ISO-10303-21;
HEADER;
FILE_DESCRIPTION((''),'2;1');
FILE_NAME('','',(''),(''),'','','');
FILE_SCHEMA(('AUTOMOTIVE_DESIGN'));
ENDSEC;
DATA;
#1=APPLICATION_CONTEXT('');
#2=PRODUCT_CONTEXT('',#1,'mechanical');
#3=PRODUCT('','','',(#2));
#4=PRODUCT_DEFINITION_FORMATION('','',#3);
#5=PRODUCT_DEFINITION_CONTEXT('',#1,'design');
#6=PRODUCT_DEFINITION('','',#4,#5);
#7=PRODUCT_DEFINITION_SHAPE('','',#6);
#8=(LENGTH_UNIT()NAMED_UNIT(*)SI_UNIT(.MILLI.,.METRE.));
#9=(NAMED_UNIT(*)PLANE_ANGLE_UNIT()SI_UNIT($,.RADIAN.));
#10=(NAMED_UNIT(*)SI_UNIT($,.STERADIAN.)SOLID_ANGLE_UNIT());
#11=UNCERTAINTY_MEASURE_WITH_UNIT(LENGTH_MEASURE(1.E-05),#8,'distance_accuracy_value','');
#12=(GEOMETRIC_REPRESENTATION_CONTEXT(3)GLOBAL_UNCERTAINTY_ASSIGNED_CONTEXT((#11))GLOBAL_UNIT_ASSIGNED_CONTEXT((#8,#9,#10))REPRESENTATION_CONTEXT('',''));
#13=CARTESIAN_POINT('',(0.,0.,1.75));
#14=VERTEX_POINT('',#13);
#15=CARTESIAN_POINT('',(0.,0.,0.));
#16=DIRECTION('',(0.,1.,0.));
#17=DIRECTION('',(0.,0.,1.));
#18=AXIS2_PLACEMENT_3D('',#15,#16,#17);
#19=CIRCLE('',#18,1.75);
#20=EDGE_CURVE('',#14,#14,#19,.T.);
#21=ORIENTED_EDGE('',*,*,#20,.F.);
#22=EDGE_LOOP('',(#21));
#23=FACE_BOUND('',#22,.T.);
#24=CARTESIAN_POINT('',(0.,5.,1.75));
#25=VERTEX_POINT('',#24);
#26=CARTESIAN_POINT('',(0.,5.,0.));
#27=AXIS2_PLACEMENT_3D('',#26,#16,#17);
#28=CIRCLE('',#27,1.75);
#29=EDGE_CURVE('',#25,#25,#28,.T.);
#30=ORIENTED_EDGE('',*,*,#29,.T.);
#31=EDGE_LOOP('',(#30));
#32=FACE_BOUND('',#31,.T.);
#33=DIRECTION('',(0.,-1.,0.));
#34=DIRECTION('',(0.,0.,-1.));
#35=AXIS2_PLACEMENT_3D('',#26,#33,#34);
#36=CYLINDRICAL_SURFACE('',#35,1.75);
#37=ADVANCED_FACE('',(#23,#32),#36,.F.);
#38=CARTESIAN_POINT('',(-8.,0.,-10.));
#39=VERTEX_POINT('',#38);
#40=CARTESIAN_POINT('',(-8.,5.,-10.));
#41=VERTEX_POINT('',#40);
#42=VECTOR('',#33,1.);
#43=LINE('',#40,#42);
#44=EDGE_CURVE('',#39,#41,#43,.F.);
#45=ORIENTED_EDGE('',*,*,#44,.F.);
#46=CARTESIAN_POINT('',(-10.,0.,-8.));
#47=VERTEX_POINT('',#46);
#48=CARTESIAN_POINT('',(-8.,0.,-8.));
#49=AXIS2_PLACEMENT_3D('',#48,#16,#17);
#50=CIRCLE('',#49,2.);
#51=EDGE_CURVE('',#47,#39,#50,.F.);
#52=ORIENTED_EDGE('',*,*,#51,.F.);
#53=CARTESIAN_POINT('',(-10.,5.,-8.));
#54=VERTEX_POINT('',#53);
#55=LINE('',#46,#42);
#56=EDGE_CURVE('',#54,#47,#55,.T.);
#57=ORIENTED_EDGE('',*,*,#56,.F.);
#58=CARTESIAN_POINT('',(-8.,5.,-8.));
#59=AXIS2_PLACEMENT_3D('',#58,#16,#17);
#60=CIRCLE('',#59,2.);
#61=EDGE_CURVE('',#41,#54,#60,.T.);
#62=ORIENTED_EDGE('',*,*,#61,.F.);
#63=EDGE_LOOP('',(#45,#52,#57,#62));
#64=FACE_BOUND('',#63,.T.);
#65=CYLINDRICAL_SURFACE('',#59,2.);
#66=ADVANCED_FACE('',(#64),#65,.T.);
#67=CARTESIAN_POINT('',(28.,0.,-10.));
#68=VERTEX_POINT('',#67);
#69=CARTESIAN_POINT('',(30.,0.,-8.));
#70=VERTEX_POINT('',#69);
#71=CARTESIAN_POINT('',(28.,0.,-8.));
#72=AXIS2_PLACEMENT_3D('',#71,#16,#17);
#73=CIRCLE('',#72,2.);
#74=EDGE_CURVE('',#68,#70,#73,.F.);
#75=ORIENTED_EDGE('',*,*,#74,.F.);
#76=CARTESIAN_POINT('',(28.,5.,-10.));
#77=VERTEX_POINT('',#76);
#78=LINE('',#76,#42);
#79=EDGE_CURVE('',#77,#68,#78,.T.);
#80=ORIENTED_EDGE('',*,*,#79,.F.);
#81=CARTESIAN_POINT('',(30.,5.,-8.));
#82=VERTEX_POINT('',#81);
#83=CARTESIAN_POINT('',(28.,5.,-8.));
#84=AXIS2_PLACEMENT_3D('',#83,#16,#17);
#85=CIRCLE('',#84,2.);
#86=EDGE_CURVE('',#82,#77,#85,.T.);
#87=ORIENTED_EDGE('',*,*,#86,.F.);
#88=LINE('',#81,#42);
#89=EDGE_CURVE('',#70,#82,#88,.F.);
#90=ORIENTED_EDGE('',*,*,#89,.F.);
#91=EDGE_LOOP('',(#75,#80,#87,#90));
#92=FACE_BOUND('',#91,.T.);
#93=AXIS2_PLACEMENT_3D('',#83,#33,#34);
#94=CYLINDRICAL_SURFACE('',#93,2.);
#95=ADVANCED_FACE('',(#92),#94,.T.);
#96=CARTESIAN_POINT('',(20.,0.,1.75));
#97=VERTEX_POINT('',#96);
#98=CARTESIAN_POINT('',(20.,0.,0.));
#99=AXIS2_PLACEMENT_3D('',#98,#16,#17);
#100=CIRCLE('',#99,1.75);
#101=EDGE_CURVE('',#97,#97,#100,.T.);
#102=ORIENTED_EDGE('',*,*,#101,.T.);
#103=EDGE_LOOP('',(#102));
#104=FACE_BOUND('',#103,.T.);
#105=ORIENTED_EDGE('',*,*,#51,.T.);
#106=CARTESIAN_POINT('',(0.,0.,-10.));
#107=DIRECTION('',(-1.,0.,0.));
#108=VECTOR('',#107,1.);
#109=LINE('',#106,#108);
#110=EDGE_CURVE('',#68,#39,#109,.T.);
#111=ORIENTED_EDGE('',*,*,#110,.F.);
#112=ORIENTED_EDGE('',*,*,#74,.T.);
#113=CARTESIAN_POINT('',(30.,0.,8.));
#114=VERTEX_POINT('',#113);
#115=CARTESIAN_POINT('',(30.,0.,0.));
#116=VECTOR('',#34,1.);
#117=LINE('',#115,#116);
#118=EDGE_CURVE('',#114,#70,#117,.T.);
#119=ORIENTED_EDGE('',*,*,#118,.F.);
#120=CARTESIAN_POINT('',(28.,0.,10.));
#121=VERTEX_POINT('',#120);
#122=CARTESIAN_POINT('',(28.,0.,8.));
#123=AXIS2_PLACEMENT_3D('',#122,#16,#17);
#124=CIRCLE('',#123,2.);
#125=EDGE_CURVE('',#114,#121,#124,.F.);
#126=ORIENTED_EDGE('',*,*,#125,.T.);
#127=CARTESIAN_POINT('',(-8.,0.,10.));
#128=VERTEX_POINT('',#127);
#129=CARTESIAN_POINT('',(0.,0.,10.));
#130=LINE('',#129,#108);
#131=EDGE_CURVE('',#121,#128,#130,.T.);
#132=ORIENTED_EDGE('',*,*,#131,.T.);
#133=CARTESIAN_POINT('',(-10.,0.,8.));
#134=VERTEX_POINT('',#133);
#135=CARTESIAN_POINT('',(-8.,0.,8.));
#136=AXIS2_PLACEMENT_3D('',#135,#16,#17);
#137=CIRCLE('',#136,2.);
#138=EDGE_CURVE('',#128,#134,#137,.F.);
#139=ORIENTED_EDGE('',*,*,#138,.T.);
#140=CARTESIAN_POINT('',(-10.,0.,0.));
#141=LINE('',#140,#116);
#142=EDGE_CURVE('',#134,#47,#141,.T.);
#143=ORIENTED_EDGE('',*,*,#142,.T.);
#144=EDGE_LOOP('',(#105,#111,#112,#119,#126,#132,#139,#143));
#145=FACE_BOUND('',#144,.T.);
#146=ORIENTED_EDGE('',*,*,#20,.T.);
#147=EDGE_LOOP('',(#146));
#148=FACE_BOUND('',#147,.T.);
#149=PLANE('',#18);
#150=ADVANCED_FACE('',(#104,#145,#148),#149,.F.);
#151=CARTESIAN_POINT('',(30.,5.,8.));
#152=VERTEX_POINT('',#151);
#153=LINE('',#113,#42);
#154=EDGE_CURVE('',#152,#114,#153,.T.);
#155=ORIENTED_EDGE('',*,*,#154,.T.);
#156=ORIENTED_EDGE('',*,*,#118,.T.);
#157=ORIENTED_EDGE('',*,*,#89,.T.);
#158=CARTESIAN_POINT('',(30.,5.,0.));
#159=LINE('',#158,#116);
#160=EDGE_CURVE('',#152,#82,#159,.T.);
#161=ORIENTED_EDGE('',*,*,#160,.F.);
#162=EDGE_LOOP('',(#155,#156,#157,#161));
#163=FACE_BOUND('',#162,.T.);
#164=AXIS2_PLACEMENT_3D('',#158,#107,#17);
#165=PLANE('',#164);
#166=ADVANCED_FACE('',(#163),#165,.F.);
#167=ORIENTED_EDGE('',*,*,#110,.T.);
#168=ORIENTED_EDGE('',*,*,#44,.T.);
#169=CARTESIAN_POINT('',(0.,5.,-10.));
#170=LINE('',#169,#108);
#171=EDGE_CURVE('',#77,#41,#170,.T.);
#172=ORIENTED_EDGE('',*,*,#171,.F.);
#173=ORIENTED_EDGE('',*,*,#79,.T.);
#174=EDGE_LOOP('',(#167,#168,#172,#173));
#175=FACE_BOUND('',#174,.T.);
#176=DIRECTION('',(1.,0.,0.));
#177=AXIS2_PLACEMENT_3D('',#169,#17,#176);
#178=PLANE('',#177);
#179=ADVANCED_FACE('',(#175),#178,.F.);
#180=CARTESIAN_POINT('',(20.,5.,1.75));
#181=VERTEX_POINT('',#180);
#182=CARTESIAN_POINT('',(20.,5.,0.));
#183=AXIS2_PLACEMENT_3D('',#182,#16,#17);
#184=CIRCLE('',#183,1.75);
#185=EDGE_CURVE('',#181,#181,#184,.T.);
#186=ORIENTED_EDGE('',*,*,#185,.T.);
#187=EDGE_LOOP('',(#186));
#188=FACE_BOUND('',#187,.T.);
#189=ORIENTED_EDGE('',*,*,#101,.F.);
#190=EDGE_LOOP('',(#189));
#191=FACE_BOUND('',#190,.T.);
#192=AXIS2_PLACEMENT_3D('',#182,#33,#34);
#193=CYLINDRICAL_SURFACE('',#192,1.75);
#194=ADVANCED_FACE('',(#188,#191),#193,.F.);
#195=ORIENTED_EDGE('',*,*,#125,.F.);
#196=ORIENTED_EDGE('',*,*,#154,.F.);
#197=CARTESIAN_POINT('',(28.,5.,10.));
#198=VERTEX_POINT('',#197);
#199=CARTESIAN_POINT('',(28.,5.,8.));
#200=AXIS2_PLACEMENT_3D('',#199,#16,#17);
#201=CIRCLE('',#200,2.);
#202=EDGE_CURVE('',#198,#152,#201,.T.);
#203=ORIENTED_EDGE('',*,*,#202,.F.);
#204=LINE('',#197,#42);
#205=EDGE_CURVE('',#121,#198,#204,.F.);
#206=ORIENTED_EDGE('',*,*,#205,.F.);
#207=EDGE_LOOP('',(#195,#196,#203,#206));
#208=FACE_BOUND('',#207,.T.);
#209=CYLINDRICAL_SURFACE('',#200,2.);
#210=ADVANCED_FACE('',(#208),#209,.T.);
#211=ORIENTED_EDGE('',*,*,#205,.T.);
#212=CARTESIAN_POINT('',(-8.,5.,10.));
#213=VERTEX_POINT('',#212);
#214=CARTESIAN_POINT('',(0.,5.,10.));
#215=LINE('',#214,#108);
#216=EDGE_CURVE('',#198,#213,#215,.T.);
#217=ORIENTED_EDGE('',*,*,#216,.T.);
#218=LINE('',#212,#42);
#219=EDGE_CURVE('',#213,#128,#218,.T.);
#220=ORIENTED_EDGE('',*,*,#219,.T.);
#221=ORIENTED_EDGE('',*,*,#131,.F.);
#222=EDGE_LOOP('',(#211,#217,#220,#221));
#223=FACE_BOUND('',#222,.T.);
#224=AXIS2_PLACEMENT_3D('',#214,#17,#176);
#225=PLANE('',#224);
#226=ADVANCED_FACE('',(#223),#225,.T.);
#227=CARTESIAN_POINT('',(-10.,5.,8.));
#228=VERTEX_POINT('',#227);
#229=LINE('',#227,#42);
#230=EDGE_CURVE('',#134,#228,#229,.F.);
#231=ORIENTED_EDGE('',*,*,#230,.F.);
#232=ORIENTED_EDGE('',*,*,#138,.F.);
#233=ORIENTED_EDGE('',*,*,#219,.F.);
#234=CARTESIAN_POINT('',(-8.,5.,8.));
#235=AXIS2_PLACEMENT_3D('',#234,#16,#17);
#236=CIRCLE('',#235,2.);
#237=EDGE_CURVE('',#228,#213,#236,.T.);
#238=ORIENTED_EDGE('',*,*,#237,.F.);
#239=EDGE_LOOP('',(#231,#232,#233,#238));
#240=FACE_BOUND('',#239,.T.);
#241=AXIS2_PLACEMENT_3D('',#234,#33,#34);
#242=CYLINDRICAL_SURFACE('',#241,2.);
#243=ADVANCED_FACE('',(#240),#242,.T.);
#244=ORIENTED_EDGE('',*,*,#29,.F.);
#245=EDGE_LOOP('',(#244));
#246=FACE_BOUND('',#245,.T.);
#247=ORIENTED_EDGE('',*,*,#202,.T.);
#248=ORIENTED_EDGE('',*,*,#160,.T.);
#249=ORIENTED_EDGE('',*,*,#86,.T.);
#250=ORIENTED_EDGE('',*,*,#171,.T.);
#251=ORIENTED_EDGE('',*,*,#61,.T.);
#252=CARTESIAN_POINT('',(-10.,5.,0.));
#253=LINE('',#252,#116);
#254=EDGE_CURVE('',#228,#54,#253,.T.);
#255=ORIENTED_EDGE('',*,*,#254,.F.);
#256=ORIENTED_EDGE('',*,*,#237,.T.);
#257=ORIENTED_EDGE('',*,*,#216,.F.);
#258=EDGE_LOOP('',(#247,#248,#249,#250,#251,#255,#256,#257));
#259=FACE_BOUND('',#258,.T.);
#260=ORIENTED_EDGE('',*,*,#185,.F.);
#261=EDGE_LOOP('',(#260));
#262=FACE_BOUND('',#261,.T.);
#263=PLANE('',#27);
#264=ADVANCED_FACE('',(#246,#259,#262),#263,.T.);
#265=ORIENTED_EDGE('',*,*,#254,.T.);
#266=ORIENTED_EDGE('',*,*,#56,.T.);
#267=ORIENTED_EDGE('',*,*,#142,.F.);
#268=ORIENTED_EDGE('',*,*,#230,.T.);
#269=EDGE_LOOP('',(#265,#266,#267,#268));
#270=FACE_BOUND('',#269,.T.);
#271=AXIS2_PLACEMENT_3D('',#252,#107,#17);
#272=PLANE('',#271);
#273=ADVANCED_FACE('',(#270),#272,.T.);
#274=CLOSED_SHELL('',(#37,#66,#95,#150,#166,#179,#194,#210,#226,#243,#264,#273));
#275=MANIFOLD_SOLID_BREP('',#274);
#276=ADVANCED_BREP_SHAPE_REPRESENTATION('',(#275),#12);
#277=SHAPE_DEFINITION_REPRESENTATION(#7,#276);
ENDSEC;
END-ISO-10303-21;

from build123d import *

# Parameters (mm, degrees)
SKETCH_1_R      = 1.75
EXTRUDE_1_DEPTH = 5
FILLET_1_R      = 2
FILLET_2_R      = 2
FILLET_3_R      = 2


with BuildPart() as part:
    # 草图1 → 凸台-拉伸1 (new body)
    with BuildSketch(Plane(origin=(0, 0, 0), x_dir=(1, 0, 0), z_dir=(0, 1, 0))):
        Polygon((-10, 10), (-10, -10), (10, -10), (30, -10), (30, 10), (10, 10), align=None)
        with Locations(Location((0, 0, 0), (0, 0, 270))):
            Circle(SKETCH_1_R, mode=Mode.SUBTRACT)
        with Locations(Location((20, 0, 0), (0, 0, 270))):
            Circle(SKETCH_1_R, mode=Mode.SUBTRACT)
    extrude(amount=EXTRUDE_1_DEPTH)

    # 圆角1
    fillet_1_edges = [part.edges().sort_by_distance(p)[0] for p in [
        (30, 2.5, 10),
        (30, 2.5, -10),
    ]]
    fillet(fillet_1_edges, radius=FILLET_1_R)

    # 圆角2
    fillet_2_edges = [part.edges().sort_by_distance(p)[0] for p in [
        (-10, 2.5, 10),
    ]]
    fillet(fillet_2_edges, radius=FILLET_2_R)

    # 圆角3
    fillet_3_edges = [part.edges().sort_by_distance(p)[0] for p in [
        (-10, 2.5, -10),
    ]]
    fillet(fillet_3_edges, radius=FILLET_3_R)


solid = part.part
